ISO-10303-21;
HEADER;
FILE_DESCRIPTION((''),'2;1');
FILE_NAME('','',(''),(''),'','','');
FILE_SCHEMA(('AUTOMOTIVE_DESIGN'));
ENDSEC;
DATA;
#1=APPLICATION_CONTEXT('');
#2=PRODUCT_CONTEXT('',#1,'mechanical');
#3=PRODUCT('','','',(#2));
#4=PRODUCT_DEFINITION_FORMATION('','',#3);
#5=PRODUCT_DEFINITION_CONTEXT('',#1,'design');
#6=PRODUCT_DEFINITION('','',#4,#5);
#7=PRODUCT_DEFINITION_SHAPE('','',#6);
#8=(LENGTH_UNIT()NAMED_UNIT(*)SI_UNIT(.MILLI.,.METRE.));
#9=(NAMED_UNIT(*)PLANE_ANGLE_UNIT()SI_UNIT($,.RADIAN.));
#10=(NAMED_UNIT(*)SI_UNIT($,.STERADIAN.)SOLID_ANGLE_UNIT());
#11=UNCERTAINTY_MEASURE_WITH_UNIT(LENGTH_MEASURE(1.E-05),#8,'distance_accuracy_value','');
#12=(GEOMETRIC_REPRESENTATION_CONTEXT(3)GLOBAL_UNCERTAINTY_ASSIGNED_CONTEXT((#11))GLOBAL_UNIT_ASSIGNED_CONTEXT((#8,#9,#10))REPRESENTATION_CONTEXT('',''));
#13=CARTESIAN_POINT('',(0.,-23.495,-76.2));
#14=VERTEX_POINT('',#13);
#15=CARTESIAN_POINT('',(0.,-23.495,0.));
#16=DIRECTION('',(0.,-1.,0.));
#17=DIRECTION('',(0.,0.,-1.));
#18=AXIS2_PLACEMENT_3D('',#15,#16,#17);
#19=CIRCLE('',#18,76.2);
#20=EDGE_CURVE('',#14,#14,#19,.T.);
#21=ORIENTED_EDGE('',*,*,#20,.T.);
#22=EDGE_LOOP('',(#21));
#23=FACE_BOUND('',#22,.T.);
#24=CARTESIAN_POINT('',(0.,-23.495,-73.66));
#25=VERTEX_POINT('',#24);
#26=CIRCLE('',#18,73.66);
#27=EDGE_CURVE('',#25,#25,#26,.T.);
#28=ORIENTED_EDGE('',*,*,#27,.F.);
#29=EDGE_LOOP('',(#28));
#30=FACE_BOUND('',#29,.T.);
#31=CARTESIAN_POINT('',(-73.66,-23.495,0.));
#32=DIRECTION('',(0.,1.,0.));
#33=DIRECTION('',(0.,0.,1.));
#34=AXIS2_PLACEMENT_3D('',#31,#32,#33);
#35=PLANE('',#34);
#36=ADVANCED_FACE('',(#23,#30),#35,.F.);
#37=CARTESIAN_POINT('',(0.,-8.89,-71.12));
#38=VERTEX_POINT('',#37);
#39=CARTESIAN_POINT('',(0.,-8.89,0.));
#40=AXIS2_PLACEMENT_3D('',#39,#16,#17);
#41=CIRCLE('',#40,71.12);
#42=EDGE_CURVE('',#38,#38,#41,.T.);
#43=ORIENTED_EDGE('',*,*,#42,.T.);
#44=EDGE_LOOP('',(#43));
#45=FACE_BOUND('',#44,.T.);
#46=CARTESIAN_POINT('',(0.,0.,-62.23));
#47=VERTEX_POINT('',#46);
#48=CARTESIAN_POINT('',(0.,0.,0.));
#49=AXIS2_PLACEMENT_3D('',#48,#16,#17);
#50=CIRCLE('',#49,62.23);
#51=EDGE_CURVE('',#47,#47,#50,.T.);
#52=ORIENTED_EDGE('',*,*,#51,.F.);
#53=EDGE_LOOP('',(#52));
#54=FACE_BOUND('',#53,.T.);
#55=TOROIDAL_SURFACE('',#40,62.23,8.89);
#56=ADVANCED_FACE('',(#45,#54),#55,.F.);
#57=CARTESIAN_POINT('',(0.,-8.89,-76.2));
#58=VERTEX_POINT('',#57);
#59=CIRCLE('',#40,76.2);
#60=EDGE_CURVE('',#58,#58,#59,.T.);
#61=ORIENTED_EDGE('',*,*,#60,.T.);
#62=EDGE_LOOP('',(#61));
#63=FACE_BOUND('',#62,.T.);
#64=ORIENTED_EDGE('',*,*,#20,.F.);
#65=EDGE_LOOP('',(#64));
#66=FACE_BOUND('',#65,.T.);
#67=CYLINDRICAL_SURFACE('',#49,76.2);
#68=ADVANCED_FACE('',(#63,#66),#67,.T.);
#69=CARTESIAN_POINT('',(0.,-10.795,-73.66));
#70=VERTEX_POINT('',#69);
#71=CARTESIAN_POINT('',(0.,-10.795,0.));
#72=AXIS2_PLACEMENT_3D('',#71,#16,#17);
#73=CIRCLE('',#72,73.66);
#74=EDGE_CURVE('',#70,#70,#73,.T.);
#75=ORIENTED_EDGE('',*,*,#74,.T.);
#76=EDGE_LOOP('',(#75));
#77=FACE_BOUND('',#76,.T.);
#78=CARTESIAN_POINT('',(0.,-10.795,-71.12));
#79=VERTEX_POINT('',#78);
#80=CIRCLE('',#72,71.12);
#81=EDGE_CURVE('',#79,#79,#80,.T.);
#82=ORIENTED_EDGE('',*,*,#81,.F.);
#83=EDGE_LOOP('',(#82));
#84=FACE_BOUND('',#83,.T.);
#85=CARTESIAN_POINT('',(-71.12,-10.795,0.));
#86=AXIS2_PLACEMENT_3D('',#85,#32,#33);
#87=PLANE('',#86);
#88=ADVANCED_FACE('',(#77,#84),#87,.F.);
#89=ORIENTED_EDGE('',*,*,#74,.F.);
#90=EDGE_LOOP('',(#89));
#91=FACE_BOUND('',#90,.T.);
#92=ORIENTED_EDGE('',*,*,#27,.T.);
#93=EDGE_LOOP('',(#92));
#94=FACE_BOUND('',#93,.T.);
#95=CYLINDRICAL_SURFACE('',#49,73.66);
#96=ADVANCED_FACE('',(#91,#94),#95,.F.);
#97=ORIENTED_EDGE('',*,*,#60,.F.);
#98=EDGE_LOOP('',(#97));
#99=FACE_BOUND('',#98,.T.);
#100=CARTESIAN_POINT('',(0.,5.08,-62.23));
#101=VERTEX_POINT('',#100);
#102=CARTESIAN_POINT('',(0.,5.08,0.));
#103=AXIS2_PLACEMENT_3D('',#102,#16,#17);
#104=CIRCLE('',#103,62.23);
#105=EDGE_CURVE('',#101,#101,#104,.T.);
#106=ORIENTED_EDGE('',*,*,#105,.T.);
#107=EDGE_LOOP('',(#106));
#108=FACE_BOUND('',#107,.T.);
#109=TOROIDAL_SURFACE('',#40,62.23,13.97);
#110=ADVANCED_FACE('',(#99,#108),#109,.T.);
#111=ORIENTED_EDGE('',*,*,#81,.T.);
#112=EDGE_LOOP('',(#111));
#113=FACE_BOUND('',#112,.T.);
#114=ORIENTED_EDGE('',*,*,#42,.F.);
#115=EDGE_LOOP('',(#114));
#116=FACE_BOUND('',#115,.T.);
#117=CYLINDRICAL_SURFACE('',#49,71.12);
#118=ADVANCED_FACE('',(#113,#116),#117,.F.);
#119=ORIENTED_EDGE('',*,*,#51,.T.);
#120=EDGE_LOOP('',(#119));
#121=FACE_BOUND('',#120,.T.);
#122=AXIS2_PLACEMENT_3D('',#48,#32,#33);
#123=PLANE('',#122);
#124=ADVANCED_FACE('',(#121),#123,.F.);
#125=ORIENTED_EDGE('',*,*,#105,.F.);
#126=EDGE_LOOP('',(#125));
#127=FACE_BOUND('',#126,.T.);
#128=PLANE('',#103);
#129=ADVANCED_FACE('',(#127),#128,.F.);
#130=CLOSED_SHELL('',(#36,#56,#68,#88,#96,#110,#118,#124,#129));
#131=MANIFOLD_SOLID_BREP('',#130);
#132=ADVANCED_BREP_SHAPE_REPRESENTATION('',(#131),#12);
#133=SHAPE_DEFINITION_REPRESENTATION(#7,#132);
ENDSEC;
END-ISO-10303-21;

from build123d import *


with BuildPart() as part:
    # Sketch1 → Revolve1 (revolve)
    with BuildSketch(Plane.XY, mode=Mode.PRIVATE) as revolve1_sk:
        with BuildLine():
            Line((0, 0), (-62.23, 0))
            ThreePointArc((-62.23, 0), (-68.516179285, -2.603820715), (-71.12, -8.89))
            Line((-71.12, -8.89), (-71.12, -10.795))
            Line((-71.12, -10.795), (-73.66, -10.795))
            Line((-73.66, -10.795), (-73.66, -23.495))
            Line((-73.66, -23.495), (-76.2, -23.495))
            Line((-76.2, -23.495), (-76.2, -8.89))
            ThreePointArc((-76.2, -8.89), (-72.108281733, 0.988281733), (-62.23, 5.08))
            Line((-62.23, 5.08), (0, 5.08))
            Line((0, 5.08), (0, 0))
        make_face()
    revolve(revolve1_sk.sketch.rotate(Axis((0, 0, 0), (0, 1, 0)), 270), axis=Axis((0, 0, 0), (0, 1, 0)))


solid = part.part
